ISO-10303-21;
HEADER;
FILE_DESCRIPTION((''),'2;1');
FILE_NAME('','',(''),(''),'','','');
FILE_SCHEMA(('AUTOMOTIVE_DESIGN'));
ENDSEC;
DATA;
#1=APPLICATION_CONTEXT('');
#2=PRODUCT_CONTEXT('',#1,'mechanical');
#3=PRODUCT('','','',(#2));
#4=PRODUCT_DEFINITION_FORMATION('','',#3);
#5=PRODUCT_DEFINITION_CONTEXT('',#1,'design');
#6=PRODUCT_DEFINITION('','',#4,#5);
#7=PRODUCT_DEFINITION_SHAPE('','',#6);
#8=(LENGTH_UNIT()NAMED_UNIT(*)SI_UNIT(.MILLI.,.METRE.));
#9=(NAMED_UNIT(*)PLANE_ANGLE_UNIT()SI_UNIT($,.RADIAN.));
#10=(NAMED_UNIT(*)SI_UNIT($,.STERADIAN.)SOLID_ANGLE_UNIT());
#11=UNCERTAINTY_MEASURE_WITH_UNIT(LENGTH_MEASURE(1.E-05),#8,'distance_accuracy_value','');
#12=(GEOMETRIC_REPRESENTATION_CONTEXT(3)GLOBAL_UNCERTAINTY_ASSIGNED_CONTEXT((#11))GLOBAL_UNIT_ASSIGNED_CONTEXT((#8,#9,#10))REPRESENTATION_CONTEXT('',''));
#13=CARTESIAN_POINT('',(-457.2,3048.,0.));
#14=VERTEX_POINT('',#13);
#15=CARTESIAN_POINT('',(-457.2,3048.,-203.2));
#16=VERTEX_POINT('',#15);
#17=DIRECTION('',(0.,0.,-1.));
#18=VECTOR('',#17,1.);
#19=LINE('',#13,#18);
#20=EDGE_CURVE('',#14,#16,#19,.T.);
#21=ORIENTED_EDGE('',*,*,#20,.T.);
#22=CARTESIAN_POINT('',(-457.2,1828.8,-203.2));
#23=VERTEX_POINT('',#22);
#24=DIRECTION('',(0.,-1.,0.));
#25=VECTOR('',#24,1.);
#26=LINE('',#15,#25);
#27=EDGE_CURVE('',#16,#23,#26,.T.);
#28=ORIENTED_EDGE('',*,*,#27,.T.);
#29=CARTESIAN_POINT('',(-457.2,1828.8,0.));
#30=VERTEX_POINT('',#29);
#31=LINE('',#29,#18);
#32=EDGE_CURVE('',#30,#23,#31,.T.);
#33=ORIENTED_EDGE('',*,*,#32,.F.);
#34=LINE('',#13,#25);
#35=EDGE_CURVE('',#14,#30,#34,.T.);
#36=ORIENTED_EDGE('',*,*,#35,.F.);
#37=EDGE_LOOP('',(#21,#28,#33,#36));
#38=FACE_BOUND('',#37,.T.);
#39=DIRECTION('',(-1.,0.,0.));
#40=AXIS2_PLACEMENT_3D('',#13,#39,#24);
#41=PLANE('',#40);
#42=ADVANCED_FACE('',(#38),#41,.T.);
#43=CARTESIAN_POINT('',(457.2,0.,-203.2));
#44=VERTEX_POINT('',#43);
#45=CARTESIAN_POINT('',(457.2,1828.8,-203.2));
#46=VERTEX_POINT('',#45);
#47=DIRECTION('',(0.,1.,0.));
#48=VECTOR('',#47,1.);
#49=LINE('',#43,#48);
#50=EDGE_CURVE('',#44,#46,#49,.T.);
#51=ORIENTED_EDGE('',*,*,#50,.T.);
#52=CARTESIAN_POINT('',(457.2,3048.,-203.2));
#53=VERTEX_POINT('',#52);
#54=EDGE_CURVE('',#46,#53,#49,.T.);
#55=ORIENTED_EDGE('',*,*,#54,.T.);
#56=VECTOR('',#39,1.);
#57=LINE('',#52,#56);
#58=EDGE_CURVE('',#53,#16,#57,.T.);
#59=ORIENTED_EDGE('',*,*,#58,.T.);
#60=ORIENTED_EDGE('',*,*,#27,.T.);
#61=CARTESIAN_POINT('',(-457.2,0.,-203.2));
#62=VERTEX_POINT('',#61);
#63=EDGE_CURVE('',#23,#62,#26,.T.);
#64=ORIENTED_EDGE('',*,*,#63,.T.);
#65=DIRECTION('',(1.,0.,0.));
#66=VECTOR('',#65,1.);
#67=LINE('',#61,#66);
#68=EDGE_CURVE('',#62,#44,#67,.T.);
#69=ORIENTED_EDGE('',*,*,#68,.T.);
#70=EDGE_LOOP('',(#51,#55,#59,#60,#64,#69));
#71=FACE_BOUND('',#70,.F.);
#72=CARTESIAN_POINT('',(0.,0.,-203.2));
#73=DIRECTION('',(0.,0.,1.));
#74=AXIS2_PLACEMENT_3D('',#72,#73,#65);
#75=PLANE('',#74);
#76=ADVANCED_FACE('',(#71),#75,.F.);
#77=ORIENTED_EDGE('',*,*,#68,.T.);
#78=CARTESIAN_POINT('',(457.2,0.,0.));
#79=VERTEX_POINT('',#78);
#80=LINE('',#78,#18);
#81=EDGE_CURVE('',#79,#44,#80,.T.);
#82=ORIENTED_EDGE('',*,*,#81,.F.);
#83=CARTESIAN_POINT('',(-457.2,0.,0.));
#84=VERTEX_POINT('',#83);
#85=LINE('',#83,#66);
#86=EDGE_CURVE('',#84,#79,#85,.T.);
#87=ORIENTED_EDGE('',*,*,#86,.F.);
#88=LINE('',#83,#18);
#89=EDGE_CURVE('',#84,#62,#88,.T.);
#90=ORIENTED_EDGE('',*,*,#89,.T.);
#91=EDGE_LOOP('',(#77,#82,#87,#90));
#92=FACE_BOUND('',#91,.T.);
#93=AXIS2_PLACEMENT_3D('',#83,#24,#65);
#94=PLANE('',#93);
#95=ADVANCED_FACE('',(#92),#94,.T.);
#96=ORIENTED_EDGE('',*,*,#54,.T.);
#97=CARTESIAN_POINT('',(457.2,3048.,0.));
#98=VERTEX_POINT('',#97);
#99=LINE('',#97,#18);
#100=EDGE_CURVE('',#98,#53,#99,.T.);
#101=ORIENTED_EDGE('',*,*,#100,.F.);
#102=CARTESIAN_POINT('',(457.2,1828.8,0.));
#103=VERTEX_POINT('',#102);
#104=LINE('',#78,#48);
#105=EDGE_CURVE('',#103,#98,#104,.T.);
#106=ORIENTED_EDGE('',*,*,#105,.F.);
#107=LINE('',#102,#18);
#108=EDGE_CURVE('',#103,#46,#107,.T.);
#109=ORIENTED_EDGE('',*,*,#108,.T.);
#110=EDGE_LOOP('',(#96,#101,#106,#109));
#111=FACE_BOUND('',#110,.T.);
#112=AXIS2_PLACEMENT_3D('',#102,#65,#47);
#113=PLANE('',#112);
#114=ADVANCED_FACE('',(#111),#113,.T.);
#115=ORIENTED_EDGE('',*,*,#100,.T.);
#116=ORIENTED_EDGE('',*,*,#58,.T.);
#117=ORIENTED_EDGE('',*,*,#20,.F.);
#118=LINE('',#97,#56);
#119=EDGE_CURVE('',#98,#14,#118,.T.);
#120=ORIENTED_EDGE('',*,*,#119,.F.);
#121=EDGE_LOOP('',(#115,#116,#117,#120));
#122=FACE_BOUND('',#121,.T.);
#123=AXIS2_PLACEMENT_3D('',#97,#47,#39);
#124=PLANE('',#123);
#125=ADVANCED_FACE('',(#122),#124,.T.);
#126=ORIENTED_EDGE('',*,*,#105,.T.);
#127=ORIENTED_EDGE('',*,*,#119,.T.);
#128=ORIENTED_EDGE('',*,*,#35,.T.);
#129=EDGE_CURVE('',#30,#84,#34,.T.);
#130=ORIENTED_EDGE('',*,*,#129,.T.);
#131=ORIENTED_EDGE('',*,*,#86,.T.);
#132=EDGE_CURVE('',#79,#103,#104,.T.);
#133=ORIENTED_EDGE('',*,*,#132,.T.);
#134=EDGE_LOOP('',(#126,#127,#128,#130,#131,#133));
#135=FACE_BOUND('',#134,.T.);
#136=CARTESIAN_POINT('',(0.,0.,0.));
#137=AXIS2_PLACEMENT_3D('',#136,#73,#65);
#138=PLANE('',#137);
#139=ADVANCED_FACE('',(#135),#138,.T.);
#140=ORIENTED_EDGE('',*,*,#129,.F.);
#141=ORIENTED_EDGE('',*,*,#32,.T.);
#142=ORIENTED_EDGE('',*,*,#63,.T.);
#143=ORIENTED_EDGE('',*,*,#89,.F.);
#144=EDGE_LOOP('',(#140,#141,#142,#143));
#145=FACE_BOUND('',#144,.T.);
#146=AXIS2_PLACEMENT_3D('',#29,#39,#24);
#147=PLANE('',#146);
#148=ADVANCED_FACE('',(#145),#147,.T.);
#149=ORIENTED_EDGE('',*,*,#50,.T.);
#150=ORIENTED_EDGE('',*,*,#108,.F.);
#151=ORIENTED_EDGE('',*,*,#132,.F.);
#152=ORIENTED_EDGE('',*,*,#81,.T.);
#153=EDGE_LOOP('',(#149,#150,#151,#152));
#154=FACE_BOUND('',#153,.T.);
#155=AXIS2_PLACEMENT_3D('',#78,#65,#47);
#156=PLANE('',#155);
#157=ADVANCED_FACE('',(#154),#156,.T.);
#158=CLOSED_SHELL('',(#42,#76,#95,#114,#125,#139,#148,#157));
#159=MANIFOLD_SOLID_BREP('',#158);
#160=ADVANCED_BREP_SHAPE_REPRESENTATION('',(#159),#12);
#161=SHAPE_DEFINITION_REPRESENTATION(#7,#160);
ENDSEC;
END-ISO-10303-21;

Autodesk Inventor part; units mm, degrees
ref_plane "PLANE IN" through (0, 0, 0) normal (0, 1, 0) x (-1, 0, 0)
ref_plane "PLANE OUT" through (0, 3048, 0) normal (0, 1, 0) x (-1, 0, 0)
ref_plane "PLANE CTR" through (0, 0, 0) normal (1, 0, 0) x (0, 1, 0)
ref_plane "PLANE RH" through (457.2, 0, 0) normal (1, 0, 0) x (0, 1, 0)
ref_plane "PLANE LH" through (-457.2, 0, 0) normal (1, 0, 0) x (0, 1, 0)
ref_plane "PLANE TOP" through (0, 0, 0) normal (0, 0, 1) x (1, 0, 0)
ref_plane "PLANE BOT" through (0, 0, -203.2) normal (0, 0, 1) x (1, 0, 0)
ref_plane "PLANE HANDLE RH" through (558.8, 0, 0) normal (1, 0, 0) x (0, 1, 0)
ref_plane "PLANE HANDLE LH" through (-558.8, 0, 0) normal (1, 0, 0) x (0, 1, 0)
ref_plane "PLANE HANDLE IN" through (0, 63.5, 0) normal (0, 1, 0) x (-1, 0, 0)
ref_plane "PLANE HANDLE OUT" through (0, 2984.5, 0) normal (0, 1, 0) x (-1, 0, 0)
ref_plane "PLANE HANDLE TOP" through (0, 0, -63.5) normal (0, 0, 1) x (1, 0, 0)
sketch "SKETCH BODY" plane through (0, 0, 0) normal (0, 0, 1) x (1, 0, 0)
  line L0 (-457.2, 0) -> (457.2, 0)
  line L1 (457.2, 0) -> (457.2, 3048)
  line L2 (457.2, 3048) -> (-457.2, 3048)
  line L3 (-457.2, 3048) -> (-457.2, 0)
  line L4 (-640.08, 0) -> (640.08, 0) projected
  line L5 (-640.08, 3048) -> (640.08, 3048) projected
  line L6 (457.2, 1828.8) -> (457.2, -304.8) projected
  line L7 (-457.2, 1828.8) -> (-457.2, -304.8) projected
extrude "EXT BODY" add sketch "SKETCH BODY" against normal blind 203.2
sketch "SKETCH HANDLE DIA" plane through (457.2, 0, 0) normal (1, 0, 0) x (0, 1, 0)
  line L0 (45.72, -63.5) -> (81.28, -63.5) projected
  line L1 (63.5, -45.72) -> (63.5, -81.28) projected
  circle A0 centre (63.5, -63.5) radius 12.7
  dimension "d79" = 25.4
sketch "SKETCH HANDLE PATH" plane through (0, 0, -63.5) normal (0, 0, 1) x (1, 0, 0)
  line L0 (558.8, 1739.9) -> (558.8, -215.9) projected
  line L1 (457.2, 1739.9) -> (457.2, -215.9) projected
  line L2 (436.88, 63.5) -> (579.12, 63.5) projected
  line L3 (436.88, 2984.5) -> (579.12, 2984.5) projected
  line L4 (457.2, 63.5) -> (558.8, 63.5)
  line L5 (558.8, 63.5) -> (558.8, 2984.5)
  line L6 (558.8, 2984.5) -> (457.2, 2984.5)
  line L7 (457.2, 2984.5) -> (457.2, 63.5) construction
feature "SWP HANDLE" [suppressed]
mirror "MIR HANDLE" [suppressed]
equation "\"d76\" = HEIGHT"
equation "\"PLANE_OUT\" = LENGTH"
equation "\"PLANE_RH\" = 0.5 * WIDTH"
equation "\"PLANE_LH\" = -0.5 * WIDTH"
equation "\"PLANE_BOT\" = -HEIGHT"
equation "\"PLANE_HANDLE_RH\" = HANDLE_OFFSET_CTR"
equation "\"PLANE_HANDLE_LH\" = -HANDLE_OFFSET_CTR"
equation "\"PLANE_HANDLE_IN\" = HANDLE_OFFSET_END"
equation "\"PLANE_HANDLE_OUT\" = LENGTH - HANDLE_OFFSET_END"
equation "\"PLANE_HANDLE_TOP\" = -HANDLE_OFFSET_TOP"
equation "\"LENGTH\" = 3048"
equation "\"WIDTH\" = 914.4"
equation "\"HEIGHT\" = 203.2"
equation "\"HANDLE_GAP\" = 101.6"
equation "\"HANDLE_OFFSET_CTR\" = 0.5 * WIDTH + HANDLE_GAP"
equation "\"HANDLE_OFFSET_END\" = 63.5"
equation "\"HANDLE_OFFSET_TOP\" = 63.5"
properties part number "ATQ-36-120-N"
